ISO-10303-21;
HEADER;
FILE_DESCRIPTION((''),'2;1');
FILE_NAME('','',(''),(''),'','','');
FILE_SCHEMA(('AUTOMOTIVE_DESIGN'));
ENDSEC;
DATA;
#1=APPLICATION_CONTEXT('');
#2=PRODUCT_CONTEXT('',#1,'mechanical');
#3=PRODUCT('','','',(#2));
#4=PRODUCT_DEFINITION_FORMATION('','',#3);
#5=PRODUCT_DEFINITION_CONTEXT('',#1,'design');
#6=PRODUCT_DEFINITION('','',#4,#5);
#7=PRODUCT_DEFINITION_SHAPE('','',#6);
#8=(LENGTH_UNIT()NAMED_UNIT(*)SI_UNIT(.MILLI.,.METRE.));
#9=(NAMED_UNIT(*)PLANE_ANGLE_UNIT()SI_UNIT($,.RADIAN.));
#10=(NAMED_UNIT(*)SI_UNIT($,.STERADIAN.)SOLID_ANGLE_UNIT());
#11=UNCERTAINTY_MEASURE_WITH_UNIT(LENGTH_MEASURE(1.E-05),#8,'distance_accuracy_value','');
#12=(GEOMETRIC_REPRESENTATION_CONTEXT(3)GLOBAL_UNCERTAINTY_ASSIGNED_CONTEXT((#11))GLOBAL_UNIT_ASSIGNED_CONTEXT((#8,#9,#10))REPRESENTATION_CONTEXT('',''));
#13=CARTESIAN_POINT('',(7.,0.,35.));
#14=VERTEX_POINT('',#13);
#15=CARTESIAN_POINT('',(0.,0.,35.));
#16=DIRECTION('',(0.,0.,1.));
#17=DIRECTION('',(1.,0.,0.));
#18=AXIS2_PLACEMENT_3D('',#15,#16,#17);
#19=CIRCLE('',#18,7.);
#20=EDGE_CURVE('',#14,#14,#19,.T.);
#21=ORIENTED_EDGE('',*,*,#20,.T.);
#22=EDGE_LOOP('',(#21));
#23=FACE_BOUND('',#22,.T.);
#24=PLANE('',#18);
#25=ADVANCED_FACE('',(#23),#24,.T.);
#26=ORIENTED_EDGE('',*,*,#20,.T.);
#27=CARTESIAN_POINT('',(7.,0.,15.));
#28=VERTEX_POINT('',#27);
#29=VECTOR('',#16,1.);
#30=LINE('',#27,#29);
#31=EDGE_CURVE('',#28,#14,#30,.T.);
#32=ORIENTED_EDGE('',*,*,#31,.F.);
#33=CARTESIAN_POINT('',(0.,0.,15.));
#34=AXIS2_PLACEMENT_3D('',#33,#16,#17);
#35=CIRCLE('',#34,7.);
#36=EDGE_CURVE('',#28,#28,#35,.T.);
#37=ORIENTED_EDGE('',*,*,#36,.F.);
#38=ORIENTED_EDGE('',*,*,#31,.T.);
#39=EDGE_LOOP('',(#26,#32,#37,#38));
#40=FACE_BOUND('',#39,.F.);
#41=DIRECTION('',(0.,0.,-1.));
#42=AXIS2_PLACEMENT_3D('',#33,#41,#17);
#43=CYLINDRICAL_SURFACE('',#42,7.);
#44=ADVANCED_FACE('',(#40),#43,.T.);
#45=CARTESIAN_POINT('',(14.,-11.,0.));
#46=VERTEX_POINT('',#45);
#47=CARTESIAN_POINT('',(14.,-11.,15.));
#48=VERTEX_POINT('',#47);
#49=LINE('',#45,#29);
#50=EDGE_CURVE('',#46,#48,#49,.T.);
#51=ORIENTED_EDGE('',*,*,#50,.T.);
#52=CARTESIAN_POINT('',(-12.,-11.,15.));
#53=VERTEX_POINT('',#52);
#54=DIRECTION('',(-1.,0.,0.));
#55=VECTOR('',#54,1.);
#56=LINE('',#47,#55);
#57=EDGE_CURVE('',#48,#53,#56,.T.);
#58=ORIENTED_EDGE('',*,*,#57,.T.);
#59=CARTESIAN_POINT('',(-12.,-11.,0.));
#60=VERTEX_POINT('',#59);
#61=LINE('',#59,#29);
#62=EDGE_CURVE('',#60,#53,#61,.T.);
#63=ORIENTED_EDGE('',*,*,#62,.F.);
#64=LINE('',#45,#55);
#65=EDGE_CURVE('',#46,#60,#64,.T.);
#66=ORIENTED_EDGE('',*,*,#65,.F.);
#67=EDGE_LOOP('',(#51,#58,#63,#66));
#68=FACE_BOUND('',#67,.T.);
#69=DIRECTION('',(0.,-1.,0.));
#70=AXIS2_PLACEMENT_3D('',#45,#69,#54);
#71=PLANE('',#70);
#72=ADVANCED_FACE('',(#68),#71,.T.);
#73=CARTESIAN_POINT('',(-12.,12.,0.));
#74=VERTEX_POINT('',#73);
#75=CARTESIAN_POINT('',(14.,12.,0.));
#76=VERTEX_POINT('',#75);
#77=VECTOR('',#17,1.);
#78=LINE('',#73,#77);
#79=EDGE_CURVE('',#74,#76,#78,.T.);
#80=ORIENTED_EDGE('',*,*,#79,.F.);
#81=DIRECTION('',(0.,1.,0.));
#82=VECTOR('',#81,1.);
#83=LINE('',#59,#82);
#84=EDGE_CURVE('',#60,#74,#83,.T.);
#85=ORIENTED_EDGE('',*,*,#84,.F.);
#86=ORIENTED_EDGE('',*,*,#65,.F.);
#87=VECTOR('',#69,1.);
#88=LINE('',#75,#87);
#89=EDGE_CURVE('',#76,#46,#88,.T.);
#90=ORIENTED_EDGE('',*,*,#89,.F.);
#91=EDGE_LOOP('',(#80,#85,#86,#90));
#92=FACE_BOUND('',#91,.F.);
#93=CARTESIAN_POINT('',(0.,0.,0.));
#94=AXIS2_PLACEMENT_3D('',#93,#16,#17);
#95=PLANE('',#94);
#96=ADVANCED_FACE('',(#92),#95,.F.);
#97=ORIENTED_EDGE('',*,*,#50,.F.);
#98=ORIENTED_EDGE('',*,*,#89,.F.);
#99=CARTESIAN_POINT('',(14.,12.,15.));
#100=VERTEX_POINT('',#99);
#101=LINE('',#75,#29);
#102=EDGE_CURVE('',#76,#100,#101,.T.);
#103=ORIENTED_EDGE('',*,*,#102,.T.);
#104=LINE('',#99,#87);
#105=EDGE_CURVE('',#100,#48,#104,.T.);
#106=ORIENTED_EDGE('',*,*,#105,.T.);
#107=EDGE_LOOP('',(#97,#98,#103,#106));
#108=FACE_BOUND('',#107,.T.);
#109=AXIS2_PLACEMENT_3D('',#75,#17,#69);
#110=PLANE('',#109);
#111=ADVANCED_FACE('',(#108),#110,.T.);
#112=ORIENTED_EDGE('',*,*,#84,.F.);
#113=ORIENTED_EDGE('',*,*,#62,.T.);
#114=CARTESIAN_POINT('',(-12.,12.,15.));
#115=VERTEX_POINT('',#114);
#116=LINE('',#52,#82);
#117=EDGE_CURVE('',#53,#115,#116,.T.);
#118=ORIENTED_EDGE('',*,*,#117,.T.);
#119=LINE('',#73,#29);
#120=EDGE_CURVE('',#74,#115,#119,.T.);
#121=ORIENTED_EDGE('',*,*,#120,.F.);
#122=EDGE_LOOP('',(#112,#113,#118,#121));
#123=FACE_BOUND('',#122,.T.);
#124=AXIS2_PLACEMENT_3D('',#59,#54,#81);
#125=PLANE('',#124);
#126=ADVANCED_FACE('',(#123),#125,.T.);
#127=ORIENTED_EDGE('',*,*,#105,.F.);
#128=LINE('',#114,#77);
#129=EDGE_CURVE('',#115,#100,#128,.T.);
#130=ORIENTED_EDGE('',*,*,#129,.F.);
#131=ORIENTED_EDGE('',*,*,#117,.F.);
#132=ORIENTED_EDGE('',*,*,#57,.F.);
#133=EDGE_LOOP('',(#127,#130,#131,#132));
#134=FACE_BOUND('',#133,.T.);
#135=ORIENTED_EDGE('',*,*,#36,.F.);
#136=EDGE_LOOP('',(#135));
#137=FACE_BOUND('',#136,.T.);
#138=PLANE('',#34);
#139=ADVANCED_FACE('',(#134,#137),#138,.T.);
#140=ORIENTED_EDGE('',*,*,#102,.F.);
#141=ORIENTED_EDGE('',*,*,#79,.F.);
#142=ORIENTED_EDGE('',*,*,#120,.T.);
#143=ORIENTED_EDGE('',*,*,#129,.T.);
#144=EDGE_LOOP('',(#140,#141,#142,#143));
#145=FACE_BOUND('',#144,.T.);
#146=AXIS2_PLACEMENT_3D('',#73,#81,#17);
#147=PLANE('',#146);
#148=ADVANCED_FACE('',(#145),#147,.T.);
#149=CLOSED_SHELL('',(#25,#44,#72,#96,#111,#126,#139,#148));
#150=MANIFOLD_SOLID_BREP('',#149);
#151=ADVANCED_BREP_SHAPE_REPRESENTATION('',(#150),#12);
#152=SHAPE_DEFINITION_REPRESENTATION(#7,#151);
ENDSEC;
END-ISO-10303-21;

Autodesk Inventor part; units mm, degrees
ref_plane "YZ Plane" through (0, 0, 0) normal (1, 0, 0) x (0, 1, 0)
ref_plane "XZ Plane" through (0, 0, 0) normal (0, 1, 0) x (-1, 0, 0)
ref_plane "XY Plane" through (0, 0, 0) normal (0, 0, 1) x (1, 0, 0)
sketch "Szkic1" plane through (0, 0, 0) normal (0, 0, 1) x (1, 0, 0)
  line L0 (-12, 12) -> (14, 12)
  line L1 (14, 12) -> (14, -11)
  line L2 (14, -11) -> (-12, -11)
  line L3 (-12, -11) -> (-12, 12)
  point P0 (0, 0)
extrude "Wyciągnięcie proste1" add sketch "Szkic1" along normal blind 15
sketch "Szkic2" plane through (0, 0, 15) normal (0, 0, 1) x (1, 0, 0)
  circle A0 centre (0, 0) radius 7
  dimension "d3" = 14
extrude "Wyciągnięcie proste2" add sketch "Szkic2" along normal blind 20
properties part number "podstawa smigla areodynamicznego"
